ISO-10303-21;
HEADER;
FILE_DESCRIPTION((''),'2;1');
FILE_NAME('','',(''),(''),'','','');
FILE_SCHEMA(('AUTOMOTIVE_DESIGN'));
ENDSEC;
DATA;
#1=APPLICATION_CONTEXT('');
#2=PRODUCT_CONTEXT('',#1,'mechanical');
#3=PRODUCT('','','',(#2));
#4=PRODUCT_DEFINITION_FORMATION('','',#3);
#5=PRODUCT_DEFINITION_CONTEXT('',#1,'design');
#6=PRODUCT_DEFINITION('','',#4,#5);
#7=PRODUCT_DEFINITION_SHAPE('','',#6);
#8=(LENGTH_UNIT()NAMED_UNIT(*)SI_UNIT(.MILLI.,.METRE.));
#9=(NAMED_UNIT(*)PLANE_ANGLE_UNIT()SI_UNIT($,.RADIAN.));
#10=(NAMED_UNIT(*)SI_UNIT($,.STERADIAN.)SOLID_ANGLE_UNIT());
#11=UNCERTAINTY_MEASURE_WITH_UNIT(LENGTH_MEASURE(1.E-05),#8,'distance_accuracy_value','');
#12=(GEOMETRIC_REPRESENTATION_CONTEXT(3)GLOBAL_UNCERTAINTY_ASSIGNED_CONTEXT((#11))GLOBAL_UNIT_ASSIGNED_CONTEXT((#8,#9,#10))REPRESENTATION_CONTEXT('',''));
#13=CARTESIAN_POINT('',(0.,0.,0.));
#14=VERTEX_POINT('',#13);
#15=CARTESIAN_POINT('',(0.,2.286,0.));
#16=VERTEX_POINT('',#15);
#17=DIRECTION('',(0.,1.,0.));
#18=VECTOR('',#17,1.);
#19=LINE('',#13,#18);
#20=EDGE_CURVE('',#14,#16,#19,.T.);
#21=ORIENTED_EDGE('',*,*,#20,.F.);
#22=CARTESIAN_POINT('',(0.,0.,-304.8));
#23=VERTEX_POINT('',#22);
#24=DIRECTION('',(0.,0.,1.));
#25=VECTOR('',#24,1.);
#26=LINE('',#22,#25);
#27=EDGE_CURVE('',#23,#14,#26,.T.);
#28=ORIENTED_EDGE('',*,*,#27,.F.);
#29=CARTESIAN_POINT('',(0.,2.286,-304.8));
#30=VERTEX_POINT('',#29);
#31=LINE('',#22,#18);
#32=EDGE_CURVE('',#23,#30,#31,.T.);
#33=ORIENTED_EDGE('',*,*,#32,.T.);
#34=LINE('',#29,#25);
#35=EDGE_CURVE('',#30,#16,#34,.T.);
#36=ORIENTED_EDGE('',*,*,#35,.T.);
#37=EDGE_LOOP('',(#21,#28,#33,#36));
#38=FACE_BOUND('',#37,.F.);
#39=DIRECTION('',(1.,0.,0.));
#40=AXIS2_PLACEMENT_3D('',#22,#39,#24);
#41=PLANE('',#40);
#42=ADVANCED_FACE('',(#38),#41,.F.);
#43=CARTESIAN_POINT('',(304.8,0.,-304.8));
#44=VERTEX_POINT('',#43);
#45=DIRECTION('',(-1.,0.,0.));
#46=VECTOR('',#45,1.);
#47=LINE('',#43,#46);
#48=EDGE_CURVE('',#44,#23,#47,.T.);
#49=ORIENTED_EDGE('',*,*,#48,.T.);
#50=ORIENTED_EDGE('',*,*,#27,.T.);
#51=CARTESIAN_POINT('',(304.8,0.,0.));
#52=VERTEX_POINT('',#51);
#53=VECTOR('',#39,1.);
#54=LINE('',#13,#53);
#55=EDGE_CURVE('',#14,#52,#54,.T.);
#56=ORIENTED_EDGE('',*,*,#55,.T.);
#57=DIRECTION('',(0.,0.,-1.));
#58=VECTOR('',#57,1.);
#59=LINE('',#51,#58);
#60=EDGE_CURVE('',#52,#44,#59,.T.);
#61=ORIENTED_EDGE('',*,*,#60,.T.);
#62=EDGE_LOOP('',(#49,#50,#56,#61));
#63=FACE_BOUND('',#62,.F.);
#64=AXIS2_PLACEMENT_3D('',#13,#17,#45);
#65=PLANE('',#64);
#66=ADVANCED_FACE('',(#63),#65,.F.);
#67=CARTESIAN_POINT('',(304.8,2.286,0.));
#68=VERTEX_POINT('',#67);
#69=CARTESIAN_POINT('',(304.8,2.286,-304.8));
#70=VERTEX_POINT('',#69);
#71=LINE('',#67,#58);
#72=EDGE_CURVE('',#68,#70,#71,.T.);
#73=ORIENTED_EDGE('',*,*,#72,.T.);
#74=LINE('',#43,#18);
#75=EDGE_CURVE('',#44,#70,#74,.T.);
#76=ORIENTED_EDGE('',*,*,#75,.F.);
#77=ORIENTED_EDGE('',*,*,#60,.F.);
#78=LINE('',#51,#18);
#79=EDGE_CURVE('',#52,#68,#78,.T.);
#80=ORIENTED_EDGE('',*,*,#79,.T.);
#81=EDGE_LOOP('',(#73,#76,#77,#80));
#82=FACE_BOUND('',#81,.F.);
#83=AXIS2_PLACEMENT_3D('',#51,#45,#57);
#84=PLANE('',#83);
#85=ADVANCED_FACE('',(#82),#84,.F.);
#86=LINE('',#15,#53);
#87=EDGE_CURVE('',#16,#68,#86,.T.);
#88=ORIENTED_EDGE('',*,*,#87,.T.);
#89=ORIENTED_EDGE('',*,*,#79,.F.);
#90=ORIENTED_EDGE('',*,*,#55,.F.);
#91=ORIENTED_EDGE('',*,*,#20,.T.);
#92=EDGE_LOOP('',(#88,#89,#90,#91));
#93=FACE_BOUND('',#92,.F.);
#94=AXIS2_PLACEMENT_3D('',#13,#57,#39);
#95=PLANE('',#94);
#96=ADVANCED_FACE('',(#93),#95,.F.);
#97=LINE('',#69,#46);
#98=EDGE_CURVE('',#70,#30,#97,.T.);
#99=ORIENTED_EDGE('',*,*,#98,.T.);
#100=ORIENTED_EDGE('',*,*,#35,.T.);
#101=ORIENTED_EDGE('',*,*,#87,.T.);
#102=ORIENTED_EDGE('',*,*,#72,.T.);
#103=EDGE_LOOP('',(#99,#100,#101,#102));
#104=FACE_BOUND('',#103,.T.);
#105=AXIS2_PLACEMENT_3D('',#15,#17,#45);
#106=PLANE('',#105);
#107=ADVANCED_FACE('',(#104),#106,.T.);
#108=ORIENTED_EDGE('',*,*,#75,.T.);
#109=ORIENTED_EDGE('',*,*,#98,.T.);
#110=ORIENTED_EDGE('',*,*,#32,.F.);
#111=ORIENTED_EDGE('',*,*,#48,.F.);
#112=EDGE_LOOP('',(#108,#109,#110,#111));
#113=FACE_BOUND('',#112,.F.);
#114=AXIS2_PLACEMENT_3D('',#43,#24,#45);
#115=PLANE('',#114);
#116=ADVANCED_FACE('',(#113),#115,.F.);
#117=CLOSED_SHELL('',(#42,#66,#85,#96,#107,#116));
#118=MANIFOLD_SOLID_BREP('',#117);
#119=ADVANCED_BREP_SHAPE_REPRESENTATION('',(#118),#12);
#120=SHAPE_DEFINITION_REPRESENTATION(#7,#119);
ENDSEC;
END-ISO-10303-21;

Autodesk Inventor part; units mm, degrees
ref_plane "YZ Plane" through (0, 0, 0) normal (1, 0, 0) x (0, 1, 0)
ref_plane "XZ Plane" through (0, 0, 0) normal (0, 1, 0) x (-1, 0, 0)
ref_plane "XY Plane" through (0, 0, 0) normal (0, 0, 1) x (1, 0, 0)
sketch "Sketch1" plane through (0, 0, 0) normal (0, 1, 0) x (-1, 0, 0)
  line L0 (0, 0) -> (-304.8, 0)
  line L1 (-304.8, 0) -> (-304.8, -304.8)
  line L2 (-304.8, -304.8) -> (0, -304.8)
  line L3 (0, -304.8) -> (0, 0)
  dimension "d0" = 304.8
  dimension "d1" = 304.8
extrude "Extrusion1" add sketch "Sketch1" along normal blind 2.286
properties part number "InnerWall"
